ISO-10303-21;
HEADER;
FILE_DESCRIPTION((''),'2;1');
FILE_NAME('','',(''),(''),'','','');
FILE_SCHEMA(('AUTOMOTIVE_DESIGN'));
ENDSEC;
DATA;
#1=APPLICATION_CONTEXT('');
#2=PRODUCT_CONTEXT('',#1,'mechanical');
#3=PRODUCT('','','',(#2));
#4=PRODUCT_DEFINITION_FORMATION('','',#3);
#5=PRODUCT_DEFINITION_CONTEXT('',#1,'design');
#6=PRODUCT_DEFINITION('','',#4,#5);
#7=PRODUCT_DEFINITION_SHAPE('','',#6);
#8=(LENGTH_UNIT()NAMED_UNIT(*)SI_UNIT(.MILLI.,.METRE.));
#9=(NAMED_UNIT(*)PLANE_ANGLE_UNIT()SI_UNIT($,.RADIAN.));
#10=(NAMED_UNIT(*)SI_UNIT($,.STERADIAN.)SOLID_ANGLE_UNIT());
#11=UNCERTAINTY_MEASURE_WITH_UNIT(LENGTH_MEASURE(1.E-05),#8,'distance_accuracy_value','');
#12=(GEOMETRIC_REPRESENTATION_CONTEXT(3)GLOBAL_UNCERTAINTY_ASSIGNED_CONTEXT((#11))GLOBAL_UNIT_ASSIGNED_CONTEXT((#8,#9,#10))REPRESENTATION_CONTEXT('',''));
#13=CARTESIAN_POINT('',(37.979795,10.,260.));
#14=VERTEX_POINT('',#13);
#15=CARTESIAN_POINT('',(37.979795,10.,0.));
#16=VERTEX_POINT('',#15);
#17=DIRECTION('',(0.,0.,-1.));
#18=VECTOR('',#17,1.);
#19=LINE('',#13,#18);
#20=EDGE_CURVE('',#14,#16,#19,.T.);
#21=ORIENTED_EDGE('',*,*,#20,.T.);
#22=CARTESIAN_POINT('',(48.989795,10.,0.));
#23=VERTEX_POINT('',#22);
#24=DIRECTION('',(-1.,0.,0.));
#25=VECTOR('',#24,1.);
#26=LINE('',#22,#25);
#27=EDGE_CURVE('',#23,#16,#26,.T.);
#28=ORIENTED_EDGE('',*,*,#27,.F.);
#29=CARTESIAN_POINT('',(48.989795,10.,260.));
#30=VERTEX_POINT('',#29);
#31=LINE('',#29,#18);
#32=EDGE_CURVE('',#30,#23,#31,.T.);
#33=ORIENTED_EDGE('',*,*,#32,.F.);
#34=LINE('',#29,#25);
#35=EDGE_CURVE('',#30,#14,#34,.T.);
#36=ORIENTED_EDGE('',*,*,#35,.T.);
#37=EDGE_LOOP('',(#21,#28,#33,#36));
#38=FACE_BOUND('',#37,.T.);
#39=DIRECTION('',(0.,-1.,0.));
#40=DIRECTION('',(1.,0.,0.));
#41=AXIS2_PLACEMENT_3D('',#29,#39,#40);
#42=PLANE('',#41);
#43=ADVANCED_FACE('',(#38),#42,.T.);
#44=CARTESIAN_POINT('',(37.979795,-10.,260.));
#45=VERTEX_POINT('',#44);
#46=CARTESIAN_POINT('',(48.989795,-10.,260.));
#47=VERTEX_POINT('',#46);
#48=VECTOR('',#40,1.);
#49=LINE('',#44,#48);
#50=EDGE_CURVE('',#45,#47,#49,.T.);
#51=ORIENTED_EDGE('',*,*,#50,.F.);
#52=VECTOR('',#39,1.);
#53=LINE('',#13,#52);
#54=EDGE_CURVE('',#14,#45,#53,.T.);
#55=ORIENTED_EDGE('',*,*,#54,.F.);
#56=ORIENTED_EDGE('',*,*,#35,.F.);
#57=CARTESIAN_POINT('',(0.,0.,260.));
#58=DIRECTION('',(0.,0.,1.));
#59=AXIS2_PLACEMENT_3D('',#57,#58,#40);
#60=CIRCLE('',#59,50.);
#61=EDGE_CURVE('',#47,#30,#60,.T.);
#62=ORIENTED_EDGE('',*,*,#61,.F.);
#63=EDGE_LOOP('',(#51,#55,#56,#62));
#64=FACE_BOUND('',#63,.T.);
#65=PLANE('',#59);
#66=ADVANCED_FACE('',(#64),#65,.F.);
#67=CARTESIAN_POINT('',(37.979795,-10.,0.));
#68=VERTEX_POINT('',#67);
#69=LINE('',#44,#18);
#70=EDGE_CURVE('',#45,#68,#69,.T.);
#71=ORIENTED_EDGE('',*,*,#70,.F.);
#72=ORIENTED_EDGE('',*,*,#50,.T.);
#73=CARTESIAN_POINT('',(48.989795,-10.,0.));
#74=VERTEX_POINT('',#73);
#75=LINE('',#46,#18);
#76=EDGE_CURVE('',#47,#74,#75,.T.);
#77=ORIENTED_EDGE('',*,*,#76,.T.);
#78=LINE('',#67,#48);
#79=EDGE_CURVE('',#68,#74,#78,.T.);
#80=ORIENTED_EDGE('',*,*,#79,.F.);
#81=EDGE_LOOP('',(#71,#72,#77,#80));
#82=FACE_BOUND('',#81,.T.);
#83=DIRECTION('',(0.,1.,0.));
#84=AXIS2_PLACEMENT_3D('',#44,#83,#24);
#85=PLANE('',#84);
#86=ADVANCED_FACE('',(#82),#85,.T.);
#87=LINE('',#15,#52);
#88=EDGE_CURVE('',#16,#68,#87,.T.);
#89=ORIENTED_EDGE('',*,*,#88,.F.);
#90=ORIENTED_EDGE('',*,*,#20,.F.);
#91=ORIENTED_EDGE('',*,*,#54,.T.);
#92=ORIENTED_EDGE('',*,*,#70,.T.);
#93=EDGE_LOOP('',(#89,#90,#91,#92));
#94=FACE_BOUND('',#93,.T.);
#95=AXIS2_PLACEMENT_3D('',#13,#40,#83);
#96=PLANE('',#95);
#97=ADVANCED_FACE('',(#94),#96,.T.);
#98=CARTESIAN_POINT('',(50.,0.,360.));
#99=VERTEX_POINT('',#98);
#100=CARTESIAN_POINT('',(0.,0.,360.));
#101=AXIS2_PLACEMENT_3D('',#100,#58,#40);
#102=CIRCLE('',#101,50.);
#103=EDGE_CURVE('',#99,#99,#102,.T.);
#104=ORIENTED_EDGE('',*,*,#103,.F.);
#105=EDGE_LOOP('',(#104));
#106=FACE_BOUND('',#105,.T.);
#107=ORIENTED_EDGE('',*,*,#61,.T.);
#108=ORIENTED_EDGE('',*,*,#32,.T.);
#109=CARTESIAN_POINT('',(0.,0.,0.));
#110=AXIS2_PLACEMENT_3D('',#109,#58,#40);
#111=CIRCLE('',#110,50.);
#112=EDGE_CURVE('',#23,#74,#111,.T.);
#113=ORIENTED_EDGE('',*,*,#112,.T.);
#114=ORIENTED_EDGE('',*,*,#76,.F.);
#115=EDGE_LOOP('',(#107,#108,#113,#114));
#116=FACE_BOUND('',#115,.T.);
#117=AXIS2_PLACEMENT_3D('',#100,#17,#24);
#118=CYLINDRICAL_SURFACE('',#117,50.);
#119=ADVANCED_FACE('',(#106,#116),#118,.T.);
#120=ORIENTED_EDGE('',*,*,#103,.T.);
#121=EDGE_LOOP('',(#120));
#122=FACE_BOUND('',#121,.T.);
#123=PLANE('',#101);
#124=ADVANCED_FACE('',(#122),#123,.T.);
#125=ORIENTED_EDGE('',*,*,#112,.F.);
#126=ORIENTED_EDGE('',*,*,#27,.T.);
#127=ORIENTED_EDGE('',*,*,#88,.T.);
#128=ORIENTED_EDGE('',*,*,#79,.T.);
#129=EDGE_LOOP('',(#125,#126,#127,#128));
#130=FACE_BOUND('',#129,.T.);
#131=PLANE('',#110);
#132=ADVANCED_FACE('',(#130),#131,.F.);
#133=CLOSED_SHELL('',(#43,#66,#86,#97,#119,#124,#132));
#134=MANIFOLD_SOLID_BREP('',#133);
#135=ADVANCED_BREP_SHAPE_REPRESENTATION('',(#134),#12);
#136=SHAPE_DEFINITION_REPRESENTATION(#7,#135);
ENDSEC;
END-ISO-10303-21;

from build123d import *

# Parameters (mm, degrees)
SKETCH2_R           = 50
BOSS_EXTRUDE1_DEPTH = 360
CUT_EXTRUDE2_DEPTH  = 260


with BuildPart() as part:
    # Sketch2 → Boss-Extrude1 (new body)
    with BuildSketch(Plane.XY):
        with Locations(Location((0, 0, 0), (0, 0, 180))):
            Circle(SKETCH2_R)
    extrude(amount=BOSS_EXTRUDE1_DEPTH)

    # Sketch3 → Cut-Extrude2 (cut)
    with BuildSketch(Plane.XY):
        with BuildLine():
            Line((48.989794856, 10), (37.979794856, 10))
            Line((37.979794856, 10), (37.979794856, -10))
            Line((37.979794856, -10), (48.989794856, -10))
            ThreePointArc((48.989794856, -10), (50, 0), (48.989794856, 10))
        make_face()
    extrude(amount=CUT_EXTRUDE2_DEPTH, mode=Mode.SUBTRACT)


solid = part.part
